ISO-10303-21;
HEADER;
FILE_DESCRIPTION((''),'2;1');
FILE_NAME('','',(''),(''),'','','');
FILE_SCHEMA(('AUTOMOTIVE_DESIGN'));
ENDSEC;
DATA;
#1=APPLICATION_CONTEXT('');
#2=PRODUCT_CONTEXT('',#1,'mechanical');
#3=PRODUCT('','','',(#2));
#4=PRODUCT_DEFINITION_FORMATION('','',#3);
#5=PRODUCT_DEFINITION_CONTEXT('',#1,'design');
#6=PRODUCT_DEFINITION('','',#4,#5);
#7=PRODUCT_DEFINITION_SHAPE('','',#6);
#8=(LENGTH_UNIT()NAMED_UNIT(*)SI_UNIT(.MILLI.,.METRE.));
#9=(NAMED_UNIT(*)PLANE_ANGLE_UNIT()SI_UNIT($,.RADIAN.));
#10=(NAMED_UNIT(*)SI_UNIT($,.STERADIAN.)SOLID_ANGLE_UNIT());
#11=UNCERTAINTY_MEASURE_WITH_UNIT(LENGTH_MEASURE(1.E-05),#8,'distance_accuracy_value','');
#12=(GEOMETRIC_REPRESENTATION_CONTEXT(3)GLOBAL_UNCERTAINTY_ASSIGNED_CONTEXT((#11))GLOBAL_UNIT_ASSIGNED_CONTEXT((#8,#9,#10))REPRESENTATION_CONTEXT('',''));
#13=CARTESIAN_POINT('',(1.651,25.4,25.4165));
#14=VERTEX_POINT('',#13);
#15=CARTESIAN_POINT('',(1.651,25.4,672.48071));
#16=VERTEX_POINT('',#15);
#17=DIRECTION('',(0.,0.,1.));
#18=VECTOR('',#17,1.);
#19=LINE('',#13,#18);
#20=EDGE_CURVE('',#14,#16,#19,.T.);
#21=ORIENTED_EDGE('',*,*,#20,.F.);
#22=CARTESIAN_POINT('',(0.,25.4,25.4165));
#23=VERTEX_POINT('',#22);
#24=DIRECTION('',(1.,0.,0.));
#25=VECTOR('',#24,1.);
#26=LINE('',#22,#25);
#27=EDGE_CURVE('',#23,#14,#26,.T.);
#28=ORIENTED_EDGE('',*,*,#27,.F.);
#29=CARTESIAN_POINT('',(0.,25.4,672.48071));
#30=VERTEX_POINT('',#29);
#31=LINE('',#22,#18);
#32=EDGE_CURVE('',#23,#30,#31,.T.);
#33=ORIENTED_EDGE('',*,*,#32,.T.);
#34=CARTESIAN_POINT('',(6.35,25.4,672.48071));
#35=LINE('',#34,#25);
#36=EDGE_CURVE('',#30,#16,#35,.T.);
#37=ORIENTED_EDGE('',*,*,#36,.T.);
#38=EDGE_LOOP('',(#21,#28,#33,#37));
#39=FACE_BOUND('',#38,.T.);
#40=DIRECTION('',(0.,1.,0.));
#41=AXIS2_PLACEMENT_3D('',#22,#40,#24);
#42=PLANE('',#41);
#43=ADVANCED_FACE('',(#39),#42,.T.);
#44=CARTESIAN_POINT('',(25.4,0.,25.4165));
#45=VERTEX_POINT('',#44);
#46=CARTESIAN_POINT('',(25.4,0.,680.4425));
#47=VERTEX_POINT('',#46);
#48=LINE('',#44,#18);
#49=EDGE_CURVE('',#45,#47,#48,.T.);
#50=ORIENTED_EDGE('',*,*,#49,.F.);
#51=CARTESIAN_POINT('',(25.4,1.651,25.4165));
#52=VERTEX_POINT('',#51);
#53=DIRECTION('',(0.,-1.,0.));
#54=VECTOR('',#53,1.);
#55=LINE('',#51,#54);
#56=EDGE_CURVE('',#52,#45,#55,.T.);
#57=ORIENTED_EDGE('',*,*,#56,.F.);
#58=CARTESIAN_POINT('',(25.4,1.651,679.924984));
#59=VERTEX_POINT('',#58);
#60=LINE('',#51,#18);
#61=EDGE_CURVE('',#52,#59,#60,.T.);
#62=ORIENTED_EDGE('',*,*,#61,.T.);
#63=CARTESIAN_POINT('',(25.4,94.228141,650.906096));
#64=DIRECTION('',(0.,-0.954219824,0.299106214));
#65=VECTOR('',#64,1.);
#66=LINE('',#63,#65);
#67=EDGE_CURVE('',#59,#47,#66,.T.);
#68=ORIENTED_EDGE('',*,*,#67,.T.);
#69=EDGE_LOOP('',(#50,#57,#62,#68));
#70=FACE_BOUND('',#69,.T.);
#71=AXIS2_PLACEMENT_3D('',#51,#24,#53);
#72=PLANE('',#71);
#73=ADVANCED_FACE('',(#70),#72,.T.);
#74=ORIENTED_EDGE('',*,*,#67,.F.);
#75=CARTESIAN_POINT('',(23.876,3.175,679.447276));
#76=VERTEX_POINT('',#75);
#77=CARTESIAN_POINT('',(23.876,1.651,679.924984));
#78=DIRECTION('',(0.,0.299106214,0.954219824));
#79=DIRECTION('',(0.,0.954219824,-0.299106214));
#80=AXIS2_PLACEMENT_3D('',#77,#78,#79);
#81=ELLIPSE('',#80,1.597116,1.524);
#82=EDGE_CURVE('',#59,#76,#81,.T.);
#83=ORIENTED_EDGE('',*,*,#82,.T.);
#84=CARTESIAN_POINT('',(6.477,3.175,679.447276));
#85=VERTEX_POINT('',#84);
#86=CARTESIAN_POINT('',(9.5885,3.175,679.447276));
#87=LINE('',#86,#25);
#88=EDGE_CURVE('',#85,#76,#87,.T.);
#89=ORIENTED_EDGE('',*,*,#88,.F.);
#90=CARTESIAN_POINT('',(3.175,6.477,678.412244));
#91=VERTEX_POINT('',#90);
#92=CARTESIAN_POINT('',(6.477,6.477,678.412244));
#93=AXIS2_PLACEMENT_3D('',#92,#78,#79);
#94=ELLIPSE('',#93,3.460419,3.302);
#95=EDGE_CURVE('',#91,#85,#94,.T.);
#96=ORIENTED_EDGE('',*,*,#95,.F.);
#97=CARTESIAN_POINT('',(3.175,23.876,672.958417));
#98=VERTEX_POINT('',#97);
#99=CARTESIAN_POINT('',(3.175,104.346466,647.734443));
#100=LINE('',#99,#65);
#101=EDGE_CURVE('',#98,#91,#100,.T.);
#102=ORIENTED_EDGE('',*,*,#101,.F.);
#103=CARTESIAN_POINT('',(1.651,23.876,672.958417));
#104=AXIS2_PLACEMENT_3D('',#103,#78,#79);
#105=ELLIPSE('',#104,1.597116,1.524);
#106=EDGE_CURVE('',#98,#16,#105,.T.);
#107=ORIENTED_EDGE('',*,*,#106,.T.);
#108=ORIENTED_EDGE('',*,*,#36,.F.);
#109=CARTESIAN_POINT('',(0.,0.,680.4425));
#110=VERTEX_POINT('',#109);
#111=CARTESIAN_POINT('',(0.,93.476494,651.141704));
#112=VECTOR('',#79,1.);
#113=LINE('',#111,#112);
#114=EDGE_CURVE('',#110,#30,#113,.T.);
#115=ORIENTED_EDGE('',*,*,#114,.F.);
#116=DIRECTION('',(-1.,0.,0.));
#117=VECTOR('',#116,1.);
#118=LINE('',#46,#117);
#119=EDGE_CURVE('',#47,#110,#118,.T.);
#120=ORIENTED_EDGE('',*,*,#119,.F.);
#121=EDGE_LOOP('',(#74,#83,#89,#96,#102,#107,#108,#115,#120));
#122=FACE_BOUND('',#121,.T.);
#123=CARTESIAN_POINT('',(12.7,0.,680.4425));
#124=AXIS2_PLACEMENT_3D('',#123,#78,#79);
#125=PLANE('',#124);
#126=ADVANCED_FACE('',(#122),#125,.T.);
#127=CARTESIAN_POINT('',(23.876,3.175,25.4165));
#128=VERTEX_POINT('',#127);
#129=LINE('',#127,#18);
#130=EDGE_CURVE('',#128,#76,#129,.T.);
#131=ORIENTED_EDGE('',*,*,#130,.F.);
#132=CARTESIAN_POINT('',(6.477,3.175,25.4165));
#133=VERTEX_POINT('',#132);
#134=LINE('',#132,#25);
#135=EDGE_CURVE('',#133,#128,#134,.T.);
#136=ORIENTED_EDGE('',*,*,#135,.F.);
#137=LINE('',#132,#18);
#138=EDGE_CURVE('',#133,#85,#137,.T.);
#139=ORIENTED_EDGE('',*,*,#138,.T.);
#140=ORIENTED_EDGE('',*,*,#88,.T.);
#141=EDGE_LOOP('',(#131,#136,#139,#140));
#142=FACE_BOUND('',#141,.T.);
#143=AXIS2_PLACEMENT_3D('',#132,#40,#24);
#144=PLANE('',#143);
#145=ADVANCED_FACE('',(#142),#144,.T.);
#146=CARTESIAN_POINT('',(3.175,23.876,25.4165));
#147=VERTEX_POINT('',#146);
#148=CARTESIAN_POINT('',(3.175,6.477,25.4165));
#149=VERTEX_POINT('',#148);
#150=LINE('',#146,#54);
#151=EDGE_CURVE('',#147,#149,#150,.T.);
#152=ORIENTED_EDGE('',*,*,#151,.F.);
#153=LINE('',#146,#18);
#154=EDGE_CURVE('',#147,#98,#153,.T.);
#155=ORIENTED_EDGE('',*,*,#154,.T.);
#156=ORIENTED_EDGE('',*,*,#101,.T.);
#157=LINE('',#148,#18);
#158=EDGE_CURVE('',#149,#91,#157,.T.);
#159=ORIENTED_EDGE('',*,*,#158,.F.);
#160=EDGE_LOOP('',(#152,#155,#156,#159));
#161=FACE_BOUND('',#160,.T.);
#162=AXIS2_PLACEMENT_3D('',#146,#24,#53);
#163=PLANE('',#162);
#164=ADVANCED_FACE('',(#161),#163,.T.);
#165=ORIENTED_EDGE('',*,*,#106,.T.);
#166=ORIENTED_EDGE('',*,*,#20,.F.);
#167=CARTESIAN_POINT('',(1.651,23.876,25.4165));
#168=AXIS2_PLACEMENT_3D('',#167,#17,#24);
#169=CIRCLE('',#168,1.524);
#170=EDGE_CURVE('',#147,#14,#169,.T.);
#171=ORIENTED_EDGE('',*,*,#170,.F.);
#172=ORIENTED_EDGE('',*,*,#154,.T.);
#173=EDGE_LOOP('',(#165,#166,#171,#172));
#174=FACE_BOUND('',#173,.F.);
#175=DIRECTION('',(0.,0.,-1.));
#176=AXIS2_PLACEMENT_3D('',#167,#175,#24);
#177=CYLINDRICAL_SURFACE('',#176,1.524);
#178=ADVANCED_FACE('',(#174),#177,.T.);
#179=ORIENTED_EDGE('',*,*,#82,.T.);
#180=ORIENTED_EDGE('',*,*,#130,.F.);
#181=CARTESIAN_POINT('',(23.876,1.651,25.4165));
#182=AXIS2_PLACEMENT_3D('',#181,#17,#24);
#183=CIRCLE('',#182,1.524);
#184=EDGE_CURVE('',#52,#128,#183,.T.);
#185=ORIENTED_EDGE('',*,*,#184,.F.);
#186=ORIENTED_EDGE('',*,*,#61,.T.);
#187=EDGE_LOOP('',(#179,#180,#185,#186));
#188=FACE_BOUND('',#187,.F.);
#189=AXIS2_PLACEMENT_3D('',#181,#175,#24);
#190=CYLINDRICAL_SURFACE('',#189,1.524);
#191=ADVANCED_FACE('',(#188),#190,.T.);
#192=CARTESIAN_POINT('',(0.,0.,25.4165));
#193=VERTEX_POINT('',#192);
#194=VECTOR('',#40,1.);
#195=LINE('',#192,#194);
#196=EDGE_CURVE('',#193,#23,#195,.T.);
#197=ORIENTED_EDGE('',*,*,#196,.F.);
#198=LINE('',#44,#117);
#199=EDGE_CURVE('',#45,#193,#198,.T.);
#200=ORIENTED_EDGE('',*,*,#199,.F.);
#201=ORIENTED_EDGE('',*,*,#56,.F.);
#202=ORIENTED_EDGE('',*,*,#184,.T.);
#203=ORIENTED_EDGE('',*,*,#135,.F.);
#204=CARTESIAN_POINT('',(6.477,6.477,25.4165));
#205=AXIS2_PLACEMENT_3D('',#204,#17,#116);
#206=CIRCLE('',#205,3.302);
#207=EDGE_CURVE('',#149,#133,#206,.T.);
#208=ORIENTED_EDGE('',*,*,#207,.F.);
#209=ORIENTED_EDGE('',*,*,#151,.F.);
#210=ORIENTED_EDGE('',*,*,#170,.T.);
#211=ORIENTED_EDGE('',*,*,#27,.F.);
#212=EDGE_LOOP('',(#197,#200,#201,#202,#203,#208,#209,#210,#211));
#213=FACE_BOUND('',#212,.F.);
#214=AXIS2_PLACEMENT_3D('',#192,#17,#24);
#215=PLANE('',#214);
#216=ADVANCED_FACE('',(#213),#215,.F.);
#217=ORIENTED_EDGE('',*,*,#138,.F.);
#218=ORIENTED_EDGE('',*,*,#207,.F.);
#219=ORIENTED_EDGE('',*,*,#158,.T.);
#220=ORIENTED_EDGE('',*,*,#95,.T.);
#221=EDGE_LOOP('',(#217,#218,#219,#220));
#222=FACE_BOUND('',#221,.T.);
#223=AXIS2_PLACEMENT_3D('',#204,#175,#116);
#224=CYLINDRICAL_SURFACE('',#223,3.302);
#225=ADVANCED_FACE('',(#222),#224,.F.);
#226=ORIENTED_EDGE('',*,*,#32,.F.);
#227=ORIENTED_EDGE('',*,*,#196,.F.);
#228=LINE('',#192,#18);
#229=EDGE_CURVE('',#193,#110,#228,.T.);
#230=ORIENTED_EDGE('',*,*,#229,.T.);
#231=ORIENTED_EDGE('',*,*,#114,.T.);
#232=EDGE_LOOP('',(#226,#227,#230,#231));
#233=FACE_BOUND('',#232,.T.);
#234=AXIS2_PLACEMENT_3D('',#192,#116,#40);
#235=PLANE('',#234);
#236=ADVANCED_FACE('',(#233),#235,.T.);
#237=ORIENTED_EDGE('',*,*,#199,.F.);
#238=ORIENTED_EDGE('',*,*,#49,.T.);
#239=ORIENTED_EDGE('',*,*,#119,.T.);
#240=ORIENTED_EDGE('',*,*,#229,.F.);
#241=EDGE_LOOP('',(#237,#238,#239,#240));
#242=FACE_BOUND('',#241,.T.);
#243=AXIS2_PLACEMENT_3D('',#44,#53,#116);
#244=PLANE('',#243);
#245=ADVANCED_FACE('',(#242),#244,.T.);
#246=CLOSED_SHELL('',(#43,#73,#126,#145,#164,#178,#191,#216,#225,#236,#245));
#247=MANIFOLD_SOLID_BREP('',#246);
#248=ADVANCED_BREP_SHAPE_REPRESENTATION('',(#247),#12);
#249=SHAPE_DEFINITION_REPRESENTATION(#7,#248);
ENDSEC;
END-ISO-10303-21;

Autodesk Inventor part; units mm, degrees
ref_plane "Start Plane" through (0, 0, 25.4165) normal (0, 0, 1) x (1, 0, 0)
ref_plane "End Plane" through (0, 0, 680.4425) normal (0, 0, 1) x (1, 0, 0)
sketch "Sketch" plane through (0, 0, 0) normal (0, 0, 1) x (1, 0, 0)
  line L0 (25.4, 0) -> (0, 0)
  line L1 (0, 0) -> (0, 25.4)
  line L2 (0, 25.4) -> (1.651, 25.4)
  line L3 (3.175, 23.876) -> (3.175, 6.477)
  line L4 (6.477, 3.175) -> (23.876, 3.175)
  line L5 (25.4, 1.651) -> (25.4, 0)
  line L6 (0, -11.0414) -> (0, 31.5385) construction
  line L7 (-11.0414, 0) -> (31.5385, 0) construction
  arc A0 (3.175, 6.477) -> (6.477, 3.175) centre (6.477, 6.477) ccw
  arc A1 (3.175, 23.876) -> (1.651, 25.4) centre (1.651, 23.876) ccw
  arc A2 (25.4, 1.651) -> (23.876, 3.175) centre (23.876, 1.651) ccw
  line L8 (0, 40.0545) -> (0, -19.5574) construction
  line L9 (-19.5574, 0) -> (40.0545, 0) construction
  point P0 (3.175, 25.4)
  point P1 (3.175, 3.175)
  point P2 (25.4, 3.175)
  dimension "d0" = 25.4
  dimension "d1" = 25.4
  dimension "d2" = 3.175
  dimension "d3" = 3.175
  dimension "d10" = 0
  dimension "d11" = 0
  dimension "d14" = 3.302
  dimension "d15" = 1.524
extrude "Body" add sketch "Sketch" along normal up to surface (655.026 mm away) from surface at 25.4165
sketch "Sketch3" plane through (0, 0, 0) normal (0, 0, 1) x (1, 0, 0)
  line L0 (0, 0) -> (10, 0)
ref_plane "Work Plane3" through (0, 0, 0) normal (0, -1, 0) x (1, 0, 0)
ref_plane "Work Plane4" through (12.7, 0, 680.4425) normal (0, 0.2991, 0.9542) x (1, 0, 0)
split "Split1" plane through (12.7, 0, 680.4425) removes the side toward (0, 0.2991, 0.9542)
ref_plane "Work Plane5" through (664.6, 977.5791, 59.0379) normal (1, 0, 0) x (0, 0, -1)
split "Split2" plane through (664.6, 977.5791, 59.0379) removes the side toward (1, 0, 0)
sketch "Sketch4" plane through (0, 0, 0) normal (0, -1, 0) x (1, 0, 0)
  line L0 (-2, 25.4165) -> (12, 25.4165) projected
  line L1 (-2, 680.4425) -> (12, 680.4425) projected
  dimension "d17" = 655.026
equation "\"d0\" = G_H"
equation "\"d1\" = G_H"
equation "\"d2\" = G_T"
equation "\"d3\" = G_T"
equation "\"d14\" = G_IR"
equation "\"d15\" = G_ER"
equation "\"d4\" = G_L"
equation "\"G_H\" = 25.4"
equation "\"G_T\" = 3.175"
equation "\"G_ER\" = 1.524"
equation "\"G_IR\" = 3.302"
equation "\"G_L\" = d17"
equation "\"ex\" = 0"
equation "\"G_OFFSET_START\" = -25.41653"
equation "\"G_OFFSET_END\" = 0"
equation "\"d12\" = -G_OFFSET_START"
equation "\"d13\" = G_OFFSET_END + B_L"
equation "\"B_L\" = 680.44252"
properties part number "AISC - L 1 x 1 x 1/8 - 25.788" material "Steel, Mild"
